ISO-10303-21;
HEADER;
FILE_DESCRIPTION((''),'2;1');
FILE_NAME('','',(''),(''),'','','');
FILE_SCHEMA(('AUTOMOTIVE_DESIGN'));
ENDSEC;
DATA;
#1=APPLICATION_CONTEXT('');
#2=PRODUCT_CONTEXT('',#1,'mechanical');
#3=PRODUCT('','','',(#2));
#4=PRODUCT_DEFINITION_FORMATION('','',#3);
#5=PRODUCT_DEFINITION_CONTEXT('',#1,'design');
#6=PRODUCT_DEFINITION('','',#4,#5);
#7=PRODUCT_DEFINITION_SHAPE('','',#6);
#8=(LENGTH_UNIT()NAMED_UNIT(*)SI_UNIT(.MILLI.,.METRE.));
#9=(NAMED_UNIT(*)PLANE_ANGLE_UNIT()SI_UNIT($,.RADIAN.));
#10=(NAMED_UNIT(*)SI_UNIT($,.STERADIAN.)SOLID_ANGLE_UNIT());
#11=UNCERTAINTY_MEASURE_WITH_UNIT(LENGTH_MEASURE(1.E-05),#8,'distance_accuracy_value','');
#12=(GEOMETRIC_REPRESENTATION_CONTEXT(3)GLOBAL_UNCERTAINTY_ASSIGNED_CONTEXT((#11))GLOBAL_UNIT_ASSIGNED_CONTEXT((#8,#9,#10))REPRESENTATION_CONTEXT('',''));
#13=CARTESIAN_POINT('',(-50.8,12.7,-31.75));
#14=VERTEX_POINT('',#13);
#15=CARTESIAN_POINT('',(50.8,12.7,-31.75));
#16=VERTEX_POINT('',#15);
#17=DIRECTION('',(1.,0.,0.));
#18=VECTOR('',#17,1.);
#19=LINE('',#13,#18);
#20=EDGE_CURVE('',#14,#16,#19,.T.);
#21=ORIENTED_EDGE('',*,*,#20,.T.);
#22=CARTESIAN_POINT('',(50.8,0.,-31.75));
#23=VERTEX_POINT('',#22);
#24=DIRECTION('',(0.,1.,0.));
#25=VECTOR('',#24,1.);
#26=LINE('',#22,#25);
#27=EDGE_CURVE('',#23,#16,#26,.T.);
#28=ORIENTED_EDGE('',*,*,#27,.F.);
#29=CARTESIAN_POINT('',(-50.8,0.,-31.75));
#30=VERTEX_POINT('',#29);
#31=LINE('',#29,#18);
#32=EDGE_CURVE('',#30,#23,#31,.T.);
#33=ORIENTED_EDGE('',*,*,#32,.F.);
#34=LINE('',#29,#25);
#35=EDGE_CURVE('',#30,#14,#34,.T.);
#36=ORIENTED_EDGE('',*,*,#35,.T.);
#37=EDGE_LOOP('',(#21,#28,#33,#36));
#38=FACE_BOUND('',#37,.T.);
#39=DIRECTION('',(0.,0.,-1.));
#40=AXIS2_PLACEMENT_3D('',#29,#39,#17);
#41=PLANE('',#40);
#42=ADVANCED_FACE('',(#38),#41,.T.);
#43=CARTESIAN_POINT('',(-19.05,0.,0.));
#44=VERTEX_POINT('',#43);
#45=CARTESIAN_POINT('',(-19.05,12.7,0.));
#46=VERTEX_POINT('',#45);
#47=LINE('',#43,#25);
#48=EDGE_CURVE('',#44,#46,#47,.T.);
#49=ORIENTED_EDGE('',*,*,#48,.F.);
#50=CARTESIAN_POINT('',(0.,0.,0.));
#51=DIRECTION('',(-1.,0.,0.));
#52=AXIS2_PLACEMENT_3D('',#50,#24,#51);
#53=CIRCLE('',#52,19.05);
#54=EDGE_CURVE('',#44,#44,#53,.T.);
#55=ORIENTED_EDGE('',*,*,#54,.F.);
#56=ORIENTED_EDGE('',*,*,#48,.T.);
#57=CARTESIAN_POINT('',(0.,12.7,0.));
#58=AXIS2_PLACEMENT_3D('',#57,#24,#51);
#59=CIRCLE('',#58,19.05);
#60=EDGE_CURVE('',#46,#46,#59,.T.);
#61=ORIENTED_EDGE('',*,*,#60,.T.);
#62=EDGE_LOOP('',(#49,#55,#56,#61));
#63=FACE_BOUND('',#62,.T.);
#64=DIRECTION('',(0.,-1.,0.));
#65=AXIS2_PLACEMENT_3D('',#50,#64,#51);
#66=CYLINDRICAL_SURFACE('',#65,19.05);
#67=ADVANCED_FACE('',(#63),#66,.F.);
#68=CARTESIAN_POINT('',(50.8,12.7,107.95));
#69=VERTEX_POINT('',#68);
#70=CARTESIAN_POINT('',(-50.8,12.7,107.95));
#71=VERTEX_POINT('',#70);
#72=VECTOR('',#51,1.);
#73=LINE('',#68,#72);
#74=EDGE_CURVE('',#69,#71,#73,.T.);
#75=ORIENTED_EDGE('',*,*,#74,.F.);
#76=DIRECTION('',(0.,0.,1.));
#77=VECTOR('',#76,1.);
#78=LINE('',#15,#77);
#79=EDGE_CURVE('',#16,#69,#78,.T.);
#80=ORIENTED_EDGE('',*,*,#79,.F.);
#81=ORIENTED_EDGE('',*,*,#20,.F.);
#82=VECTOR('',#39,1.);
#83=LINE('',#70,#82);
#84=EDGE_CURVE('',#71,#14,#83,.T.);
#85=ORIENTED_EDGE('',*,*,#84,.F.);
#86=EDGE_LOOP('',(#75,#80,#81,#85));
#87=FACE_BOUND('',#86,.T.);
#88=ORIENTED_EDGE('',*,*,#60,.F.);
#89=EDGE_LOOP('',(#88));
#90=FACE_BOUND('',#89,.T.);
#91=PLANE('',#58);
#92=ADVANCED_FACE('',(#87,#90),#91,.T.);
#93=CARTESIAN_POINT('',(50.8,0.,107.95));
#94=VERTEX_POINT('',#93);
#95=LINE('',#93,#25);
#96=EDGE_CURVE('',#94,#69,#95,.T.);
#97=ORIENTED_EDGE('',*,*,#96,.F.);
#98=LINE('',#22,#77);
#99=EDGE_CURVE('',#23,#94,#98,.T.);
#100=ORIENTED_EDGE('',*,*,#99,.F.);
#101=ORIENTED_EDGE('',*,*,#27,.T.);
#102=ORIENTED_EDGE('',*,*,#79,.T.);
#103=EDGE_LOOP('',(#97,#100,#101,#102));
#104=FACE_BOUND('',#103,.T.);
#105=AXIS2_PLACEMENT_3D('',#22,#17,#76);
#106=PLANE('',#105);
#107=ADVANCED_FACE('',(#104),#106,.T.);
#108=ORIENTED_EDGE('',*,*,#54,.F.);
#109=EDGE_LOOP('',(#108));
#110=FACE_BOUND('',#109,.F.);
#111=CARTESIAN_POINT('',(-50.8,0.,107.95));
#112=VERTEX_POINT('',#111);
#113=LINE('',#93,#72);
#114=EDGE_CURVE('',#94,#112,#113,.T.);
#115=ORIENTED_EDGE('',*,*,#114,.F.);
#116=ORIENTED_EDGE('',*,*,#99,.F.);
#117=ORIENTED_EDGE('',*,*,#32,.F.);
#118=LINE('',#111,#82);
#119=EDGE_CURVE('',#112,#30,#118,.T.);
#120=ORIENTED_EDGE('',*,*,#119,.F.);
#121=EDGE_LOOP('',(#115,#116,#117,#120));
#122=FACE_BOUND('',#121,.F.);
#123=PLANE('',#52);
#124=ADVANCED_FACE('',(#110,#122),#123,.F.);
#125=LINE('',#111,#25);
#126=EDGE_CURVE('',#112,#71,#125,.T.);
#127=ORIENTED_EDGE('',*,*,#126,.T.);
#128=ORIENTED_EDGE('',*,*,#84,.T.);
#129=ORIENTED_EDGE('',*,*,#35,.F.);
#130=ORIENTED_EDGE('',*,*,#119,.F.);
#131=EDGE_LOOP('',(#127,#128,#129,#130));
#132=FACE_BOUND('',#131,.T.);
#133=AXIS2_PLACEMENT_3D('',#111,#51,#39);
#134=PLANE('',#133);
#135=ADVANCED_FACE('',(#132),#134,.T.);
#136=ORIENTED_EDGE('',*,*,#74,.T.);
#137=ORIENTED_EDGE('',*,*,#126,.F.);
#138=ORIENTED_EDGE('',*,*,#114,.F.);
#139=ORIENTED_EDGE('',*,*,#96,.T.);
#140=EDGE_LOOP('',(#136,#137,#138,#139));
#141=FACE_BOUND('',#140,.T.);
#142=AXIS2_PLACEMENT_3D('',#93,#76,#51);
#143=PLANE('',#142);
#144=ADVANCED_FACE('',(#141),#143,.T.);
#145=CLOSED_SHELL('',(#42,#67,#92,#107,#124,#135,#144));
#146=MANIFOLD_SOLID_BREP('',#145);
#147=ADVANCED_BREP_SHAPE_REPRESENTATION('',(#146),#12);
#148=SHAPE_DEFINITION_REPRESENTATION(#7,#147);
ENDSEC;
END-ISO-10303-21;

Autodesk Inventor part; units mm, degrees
ref_plane "YZ Plane" through (0, 0, 0) normal (1, 0, 0) x (0, 1, 0)
ref_plane "XZ Plane" through (0, 0, 0) normal (0, 1, 0) x (-1, 0, 0)
ref_plane "XY Plane" through (0, 0, 0) normal (0, 0, 1) x (1, 0, 0)
sketch "Sketch1" plane through (0, 0, 0) normal (0, 1, 0) x (-1, 0, 0)
  circle A0 centre (0, 0) radius 19.05
  line L0 (-50.8, 107.95) -> (50.8, 107.95)
  line L1 (50.8, 107.95) -> (50.8, -31.75)
  line L2 (50.8, -31.75) -> (-50.8, -31.75)
  line L3 (-50.8, -31.75) -> (-50.8, 107.95)
  line L4 (-50.8, 107.95) -> (50.8, -31.75) construction
  line L5 (50.8, 107.95) -> (-50.8, -31.75) construction
  line L6 (0, 0) -> (0, 38.1) construction
  dimension "d0" = 38.1
  dimension "d1" = 31.75
  dimension "d2" = 101.6
  dimension "d3" = 139.7
extrude "Extrusion1" add sketch "Sketch1" along normal blind 12.7
properties part number "basePlatform" material "Aluminum 6061"
